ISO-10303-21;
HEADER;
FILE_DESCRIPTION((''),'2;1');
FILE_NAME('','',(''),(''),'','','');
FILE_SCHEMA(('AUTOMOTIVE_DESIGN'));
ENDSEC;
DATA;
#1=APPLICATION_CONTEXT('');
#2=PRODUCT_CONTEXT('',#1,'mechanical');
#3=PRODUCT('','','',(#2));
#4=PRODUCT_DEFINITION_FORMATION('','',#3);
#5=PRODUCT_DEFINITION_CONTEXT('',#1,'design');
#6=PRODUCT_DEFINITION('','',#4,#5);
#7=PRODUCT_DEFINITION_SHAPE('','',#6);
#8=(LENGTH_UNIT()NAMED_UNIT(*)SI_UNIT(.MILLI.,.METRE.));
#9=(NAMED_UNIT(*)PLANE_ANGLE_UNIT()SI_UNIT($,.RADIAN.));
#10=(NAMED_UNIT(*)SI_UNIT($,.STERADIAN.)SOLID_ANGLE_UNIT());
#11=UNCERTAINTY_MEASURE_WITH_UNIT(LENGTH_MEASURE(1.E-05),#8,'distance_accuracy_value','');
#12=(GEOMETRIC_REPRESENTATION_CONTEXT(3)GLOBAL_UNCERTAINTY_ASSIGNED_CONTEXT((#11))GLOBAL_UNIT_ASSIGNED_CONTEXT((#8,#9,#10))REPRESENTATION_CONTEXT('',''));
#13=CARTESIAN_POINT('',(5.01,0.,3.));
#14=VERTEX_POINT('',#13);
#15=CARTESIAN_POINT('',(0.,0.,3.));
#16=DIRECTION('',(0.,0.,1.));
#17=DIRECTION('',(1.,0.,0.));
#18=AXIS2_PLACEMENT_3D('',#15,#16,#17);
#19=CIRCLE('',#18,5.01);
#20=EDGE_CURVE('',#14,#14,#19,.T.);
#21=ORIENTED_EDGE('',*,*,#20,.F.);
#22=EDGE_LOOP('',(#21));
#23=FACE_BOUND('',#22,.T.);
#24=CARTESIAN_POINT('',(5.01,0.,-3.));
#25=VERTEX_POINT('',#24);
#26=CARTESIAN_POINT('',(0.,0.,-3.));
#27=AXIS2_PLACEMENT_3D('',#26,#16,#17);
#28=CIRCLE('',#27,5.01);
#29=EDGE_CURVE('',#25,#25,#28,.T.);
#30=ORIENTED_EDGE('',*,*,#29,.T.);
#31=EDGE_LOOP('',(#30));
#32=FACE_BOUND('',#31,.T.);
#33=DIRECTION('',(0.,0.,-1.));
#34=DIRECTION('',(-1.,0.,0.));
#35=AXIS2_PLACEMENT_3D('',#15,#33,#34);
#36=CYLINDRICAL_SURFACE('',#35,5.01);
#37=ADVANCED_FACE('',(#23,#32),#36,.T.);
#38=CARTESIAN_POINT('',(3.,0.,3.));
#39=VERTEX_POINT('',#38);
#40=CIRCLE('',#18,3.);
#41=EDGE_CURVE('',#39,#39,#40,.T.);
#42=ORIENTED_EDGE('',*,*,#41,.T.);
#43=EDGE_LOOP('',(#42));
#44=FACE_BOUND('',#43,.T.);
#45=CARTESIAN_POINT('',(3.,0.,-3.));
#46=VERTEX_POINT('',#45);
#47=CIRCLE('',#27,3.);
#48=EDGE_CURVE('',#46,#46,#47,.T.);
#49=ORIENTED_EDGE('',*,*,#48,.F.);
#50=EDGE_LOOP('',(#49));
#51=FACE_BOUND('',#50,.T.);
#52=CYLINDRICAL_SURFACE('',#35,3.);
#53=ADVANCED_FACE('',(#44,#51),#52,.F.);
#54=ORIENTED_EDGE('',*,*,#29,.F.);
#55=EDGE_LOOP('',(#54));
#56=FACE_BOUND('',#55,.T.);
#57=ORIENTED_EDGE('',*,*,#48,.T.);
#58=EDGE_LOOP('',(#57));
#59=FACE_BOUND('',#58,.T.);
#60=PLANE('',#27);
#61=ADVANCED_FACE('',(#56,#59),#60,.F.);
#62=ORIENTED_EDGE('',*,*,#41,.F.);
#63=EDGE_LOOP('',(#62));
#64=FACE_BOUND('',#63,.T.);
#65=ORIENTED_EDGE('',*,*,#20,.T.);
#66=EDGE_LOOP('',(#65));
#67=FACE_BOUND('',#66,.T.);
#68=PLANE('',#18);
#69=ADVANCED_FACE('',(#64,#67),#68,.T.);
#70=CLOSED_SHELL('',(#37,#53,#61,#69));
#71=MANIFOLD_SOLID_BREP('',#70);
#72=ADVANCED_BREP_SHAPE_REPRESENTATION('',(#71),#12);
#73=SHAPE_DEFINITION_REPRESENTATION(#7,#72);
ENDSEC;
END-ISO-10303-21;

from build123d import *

# Parameters (mm, degrees)
SKETCH1_R      = 5.01
SKETCH1_R_2    = 3
EXTRUDE1_DEPTH = 3


with BuildPart() as part:
    # Sketch1 → Extrude1 (new body, symmetric)
    with BuildSketch(Plane.XY):
        Circle(SKETCH1_R)
        Circle(SKETCH1_R_2, mode=Mode.SUBTRACT)
    extrude(amount=EXTRUDE1_DEPTH, both=True)


solid = part.part
